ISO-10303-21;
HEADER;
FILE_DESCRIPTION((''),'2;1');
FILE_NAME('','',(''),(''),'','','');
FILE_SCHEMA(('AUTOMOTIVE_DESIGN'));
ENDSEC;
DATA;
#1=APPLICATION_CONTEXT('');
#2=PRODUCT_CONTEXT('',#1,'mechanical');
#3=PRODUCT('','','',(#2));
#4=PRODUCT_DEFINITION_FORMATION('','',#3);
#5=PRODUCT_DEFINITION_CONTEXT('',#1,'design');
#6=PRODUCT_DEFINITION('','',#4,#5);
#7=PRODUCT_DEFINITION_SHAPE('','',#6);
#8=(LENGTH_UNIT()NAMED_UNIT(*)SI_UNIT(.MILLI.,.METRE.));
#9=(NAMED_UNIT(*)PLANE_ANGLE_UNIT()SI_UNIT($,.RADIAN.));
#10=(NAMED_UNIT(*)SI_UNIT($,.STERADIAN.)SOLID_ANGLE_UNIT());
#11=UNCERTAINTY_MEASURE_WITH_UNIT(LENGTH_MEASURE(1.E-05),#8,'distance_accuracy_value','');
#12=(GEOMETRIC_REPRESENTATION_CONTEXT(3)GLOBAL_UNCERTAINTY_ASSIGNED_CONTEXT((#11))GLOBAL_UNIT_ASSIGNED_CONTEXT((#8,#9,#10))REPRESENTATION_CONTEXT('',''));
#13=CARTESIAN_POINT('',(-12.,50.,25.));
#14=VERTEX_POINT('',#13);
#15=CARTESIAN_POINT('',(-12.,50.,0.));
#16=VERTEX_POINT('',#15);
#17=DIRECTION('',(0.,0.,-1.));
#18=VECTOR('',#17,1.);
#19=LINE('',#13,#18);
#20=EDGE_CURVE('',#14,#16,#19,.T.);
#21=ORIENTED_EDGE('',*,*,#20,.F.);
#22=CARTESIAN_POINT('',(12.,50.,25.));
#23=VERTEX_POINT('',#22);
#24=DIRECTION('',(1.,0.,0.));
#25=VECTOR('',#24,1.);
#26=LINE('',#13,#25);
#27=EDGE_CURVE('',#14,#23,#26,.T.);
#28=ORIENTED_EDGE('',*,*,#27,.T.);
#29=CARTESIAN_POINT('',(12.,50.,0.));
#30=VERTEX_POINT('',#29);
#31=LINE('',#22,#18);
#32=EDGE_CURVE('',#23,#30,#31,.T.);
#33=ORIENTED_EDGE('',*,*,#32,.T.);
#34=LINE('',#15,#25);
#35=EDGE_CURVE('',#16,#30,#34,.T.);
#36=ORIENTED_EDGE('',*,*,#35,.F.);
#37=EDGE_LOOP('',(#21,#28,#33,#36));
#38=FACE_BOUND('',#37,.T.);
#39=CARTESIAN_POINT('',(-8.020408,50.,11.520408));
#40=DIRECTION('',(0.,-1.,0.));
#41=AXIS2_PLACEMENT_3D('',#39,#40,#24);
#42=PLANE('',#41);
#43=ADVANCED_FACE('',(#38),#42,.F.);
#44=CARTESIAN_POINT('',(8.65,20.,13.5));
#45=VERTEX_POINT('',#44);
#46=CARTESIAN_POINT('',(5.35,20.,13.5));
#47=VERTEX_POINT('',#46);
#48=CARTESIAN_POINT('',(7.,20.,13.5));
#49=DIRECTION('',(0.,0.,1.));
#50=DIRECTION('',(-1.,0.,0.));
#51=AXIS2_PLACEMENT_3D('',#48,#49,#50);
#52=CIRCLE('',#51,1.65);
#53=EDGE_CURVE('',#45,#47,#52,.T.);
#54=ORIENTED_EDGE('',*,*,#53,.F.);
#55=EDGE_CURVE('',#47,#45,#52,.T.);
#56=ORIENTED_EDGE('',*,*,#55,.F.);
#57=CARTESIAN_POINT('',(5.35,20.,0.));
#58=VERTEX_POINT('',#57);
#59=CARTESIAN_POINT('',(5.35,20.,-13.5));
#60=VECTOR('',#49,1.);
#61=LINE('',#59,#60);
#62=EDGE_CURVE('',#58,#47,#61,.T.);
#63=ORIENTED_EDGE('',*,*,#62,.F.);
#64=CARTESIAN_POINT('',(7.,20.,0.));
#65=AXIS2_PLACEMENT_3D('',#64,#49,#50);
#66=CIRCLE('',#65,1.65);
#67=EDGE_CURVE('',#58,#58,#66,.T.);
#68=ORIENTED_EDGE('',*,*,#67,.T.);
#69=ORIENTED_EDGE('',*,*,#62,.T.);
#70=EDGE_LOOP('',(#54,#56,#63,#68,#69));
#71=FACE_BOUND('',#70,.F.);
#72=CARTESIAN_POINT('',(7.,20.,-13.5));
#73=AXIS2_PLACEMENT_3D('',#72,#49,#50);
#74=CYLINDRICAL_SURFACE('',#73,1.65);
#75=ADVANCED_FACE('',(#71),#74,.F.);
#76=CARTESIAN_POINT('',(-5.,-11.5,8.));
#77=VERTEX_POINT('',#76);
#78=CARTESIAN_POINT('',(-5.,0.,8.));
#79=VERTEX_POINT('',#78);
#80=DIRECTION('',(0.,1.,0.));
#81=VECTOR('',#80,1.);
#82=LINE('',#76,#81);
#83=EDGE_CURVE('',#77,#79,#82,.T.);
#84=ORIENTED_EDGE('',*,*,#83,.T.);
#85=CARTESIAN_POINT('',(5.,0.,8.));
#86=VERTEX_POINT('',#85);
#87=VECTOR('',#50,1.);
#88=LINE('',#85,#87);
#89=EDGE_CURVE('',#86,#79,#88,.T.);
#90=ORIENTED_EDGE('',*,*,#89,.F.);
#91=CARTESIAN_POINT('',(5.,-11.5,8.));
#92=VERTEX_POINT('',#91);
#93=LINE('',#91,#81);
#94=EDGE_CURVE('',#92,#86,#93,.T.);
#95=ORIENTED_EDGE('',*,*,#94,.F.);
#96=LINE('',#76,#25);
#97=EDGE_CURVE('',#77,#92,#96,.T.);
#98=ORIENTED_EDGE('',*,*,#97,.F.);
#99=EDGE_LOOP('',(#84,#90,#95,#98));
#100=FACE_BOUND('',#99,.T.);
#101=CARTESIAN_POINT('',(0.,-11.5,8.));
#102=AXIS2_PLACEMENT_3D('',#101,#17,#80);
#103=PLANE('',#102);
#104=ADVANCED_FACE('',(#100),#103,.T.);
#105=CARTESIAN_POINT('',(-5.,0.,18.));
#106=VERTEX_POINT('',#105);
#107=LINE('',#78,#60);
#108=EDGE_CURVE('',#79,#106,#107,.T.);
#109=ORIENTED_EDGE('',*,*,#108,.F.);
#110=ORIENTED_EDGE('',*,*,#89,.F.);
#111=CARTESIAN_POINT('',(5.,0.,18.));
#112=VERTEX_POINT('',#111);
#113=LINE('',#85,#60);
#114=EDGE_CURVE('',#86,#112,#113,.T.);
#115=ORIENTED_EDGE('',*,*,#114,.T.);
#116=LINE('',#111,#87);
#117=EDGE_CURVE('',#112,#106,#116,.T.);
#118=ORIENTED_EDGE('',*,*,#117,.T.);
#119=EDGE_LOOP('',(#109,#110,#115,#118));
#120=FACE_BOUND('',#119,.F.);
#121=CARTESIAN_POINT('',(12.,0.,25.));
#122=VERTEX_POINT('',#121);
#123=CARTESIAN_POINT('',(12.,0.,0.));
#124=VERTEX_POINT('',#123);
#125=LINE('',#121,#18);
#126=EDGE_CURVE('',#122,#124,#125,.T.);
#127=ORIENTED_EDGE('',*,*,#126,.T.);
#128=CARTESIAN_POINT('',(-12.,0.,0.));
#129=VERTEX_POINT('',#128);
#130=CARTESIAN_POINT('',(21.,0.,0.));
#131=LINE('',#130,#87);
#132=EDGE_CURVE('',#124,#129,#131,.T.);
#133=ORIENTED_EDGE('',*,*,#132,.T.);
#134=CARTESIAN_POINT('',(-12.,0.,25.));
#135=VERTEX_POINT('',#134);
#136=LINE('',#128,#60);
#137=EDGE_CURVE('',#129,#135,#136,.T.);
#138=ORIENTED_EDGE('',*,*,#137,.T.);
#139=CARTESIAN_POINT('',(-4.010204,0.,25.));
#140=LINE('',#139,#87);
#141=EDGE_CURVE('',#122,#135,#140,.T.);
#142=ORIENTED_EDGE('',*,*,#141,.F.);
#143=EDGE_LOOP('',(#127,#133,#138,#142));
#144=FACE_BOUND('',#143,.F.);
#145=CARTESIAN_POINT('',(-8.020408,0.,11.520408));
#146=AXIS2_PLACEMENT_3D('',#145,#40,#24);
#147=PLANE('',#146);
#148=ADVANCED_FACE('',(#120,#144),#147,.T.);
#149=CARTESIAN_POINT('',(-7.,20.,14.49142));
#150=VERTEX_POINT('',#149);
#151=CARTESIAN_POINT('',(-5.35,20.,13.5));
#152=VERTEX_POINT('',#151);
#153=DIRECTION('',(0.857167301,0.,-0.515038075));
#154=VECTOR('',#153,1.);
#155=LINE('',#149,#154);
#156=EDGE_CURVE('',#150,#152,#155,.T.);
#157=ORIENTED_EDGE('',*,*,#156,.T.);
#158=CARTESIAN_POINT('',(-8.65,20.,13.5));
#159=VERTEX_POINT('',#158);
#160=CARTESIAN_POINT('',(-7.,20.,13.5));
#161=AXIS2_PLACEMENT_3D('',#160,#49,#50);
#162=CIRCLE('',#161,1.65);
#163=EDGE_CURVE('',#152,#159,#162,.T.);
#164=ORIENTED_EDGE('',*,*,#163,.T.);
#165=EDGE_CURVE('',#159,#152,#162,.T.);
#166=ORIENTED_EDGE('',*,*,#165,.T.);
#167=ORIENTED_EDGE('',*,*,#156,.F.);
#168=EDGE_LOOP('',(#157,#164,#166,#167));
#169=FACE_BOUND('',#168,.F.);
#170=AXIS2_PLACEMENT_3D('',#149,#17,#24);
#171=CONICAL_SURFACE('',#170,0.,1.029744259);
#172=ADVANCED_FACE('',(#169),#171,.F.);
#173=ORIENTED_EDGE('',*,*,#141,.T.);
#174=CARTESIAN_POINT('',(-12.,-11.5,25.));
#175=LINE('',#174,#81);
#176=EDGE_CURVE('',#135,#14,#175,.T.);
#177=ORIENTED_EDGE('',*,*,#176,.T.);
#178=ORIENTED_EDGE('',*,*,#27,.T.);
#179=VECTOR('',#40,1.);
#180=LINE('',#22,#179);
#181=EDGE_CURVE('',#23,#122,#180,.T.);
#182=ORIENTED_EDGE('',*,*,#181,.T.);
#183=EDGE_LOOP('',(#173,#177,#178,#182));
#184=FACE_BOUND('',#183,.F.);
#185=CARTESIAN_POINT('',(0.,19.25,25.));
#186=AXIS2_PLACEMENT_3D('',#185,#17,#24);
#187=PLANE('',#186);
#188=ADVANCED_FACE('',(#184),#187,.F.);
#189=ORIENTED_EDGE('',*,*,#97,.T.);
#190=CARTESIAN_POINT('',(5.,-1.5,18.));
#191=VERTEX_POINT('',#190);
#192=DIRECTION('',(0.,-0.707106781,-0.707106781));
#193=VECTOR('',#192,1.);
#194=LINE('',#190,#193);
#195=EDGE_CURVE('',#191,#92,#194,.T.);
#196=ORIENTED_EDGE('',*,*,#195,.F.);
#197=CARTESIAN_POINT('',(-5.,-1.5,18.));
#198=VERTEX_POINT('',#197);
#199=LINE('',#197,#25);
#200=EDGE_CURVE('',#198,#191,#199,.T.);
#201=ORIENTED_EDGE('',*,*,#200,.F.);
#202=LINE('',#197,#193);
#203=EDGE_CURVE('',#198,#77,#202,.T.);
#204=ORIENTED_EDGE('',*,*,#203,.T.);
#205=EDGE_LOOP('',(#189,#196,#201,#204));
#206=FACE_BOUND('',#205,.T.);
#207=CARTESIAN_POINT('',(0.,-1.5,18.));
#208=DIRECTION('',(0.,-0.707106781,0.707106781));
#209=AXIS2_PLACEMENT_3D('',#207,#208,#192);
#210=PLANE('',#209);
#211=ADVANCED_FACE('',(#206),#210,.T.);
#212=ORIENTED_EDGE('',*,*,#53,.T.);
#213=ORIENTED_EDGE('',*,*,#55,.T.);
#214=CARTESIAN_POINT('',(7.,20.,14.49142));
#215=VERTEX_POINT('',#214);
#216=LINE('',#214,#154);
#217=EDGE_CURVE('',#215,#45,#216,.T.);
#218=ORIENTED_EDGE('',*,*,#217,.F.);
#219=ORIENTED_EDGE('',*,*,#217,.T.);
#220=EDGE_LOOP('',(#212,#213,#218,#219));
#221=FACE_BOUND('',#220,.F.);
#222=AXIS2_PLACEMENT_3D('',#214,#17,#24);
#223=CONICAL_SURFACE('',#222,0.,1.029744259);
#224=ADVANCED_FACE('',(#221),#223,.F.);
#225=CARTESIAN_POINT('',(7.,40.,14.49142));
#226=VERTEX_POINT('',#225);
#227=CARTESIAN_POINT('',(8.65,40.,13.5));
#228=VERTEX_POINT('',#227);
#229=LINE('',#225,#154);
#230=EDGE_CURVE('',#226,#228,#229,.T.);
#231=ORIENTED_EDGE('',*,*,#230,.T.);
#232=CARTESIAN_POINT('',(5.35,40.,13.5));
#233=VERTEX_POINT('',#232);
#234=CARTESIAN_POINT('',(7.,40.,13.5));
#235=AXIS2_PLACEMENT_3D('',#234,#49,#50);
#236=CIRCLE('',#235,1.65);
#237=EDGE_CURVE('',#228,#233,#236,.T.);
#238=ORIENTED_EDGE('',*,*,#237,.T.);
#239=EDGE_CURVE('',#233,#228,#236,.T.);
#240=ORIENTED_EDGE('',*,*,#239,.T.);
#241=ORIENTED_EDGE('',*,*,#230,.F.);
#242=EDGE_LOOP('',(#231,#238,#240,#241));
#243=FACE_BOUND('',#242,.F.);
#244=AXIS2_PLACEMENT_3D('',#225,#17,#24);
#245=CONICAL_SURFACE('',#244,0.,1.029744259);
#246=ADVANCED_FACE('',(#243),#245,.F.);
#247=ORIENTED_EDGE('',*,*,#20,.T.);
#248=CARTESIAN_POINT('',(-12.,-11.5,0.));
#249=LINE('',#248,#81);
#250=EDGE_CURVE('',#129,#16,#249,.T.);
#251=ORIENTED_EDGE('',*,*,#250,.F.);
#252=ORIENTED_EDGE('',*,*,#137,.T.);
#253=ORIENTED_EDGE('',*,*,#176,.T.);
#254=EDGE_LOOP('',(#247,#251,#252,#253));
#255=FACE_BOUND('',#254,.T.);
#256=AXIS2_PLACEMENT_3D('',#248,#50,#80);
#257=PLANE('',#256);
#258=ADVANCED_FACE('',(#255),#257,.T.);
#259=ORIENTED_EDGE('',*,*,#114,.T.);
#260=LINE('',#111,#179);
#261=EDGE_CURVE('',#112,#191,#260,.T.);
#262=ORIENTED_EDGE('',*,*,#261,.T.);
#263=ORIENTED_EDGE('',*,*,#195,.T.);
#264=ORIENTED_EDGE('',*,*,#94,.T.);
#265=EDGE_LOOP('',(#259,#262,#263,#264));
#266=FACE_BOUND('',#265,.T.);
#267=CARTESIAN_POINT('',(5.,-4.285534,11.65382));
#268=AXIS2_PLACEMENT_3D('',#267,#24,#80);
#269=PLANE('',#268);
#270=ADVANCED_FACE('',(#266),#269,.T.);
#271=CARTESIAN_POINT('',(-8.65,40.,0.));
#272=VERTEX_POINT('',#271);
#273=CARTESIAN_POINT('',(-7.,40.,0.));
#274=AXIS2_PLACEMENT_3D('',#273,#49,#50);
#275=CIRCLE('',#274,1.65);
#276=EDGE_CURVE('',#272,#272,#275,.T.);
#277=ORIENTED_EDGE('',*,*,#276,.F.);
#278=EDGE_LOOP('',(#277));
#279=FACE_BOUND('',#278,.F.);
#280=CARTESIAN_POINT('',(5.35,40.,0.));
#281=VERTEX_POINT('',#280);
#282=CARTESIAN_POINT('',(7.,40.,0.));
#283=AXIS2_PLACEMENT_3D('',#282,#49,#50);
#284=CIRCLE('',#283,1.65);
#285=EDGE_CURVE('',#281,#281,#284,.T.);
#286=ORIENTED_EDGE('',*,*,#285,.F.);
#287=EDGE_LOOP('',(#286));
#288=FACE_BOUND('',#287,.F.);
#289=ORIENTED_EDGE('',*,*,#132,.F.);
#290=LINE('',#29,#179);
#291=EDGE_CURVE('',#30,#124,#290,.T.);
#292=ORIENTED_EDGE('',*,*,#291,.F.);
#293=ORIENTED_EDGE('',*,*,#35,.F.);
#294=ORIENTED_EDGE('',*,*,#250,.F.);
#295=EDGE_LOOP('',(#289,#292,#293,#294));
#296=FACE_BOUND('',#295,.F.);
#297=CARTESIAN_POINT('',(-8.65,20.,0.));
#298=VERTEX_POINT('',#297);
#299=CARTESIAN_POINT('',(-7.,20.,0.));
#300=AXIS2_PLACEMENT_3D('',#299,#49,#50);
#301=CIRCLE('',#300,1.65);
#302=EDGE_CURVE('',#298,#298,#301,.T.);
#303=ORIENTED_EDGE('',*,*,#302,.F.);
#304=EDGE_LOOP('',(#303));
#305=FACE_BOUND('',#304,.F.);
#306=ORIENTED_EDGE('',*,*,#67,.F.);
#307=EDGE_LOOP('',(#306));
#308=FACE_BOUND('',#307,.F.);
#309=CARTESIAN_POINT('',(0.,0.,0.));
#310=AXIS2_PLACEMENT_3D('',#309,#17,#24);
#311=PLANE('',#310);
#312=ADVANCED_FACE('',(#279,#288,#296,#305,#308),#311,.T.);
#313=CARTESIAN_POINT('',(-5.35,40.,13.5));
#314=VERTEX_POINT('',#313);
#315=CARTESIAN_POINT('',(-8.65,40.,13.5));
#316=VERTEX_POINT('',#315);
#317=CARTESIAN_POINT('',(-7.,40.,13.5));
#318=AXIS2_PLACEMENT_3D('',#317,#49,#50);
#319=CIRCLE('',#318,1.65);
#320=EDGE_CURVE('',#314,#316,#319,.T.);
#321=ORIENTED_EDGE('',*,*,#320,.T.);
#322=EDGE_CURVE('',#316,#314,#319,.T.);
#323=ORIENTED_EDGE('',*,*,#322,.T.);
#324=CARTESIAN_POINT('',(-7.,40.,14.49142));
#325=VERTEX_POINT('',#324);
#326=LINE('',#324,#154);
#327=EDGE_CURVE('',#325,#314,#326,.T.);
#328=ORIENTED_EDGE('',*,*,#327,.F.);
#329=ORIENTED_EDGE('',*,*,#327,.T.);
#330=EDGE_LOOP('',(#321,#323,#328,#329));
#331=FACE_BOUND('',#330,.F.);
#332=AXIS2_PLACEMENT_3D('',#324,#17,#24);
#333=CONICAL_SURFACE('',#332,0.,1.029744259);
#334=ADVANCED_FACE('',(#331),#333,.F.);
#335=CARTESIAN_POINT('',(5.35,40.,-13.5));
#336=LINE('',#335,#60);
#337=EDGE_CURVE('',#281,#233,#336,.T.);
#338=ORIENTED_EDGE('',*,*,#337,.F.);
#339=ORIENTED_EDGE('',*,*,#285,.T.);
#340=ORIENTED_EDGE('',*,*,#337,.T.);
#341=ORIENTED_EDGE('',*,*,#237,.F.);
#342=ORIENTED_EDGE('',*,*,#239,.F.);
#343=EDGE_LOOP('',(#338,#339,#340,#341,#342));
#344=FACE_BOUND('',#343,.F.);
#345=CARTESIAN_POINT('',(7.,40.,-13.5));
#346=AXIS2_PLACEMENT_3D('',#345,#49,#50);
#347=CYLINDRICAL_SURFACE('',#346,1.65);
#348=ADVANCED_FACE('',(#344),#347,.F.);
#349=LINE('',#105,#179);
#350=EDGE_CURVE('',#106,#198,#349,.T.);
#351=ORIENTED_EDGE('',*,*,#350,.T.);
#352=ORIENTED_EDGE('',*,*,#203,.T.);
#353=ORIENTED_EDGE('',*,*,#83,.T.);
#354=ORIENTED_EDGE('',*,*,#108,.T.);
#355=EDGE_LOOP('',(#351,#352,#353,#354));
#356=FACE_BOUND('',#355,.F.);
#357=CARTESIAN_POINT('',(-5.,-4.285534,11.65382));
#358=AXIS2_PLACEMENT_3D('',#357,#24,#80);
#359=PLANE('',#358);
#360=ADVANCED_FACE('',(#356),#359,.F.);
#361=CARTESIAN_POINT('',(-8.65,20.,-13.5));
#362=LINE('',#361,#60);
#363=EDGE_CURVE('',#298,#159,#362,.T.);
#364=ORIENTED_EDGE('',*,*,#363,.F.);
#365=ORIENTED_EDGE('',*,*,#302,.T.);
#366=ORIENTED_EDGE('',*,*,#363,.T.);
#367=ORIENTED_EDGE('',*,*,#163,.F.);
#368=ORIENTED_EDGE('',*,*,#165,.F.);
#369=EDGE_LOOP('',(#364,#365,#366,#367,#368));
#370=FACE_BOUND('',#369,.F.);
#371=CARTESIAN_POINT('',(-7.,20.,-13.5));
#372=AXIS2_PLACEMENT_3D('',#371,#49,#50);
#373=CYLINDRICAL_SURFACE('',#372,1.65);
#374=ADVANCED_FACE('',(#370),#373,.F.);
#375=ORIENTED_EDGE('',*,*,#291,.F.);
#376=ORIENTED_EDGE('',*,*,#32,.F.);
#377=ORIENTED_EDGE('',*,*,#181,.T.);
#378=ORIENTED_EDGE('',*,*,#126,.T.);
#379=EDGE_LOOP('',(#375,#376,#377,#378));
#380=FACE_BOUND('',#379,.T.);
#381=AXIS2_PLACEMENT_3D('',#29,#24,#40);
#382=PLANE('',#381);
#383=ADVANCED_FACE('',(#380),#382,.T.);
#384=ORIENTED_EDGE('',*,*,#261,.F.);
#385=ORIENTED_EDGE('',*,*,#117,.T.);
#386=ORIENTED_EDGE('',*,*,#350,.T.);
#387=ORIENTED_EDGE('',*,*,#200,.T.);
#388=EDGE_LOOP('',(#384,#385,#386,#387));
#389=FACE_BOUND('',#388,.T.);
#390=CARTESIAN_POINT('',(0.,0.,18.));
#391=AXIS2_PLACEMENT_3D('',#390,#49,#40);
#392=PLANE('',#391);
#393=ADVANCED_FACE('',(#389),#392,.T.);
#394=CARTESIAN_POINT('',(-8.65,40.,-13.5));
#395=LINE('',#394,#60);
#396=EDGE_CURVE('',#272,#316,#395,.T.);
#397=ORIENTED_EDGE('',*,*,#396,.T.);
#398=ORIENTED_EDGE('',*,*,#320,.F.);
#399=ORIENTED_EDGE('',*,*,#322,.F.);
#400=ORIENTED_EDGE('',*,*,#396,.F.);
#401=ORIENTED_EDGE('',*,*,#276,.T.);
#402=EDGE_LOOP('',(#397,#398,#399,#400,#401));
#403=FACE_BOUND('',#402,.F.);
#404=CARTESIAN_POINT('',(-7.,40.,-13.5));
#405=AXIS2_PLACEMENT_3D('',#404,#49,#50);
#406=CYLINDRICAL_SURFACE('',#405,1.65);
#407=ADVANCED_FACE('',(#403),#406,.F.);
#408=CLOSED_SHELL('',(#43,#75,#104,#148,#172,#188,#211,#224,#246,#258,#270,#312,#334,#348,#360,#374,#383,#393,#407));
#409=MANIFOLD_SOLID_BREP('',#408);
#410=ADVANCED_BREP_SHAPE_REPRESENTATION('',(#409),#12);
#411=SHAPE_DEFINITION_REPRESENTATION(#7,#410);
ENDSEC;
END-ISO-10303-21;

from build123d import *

# Parameters (mm, degrees)
F1_DEPTH = 50
F4_DEPTH = 5
F6_DEPTH = 25
F8_D     = 3.3
F8_DEPTH = 13.5
F8_TIP   = 0.9914200214


with BuildPart() as f1:
    # F0 (on Front) → F1 (new body)
    with BuildSketch(Plane.XZ):
        Polygon((0, 0), (21, 0), (21, 1), (12, 1), (12, 28), (0, 28), align=None)
    extrude(amount=-F1_DEPTH)

    # F2: F1 across plane


with BuildPart() as f1_1:
    add(f1.part)
    add(f1.part.mirror(Plane.YZ))

    # F3 (on Right) → F4 (join, symmetric)
    with BuildSketch(Plane.YZ):
        Polygon((0, 18), (-1.5, 18), (-11.5, 8), (0, 8), align=None)
    extrude(amount=F4_DEPTH, both=True)

    # F5 (on face) → F6 (intersect)
    with BuildSketch(Plane(origin=(0, 0, 0), x_dir=(1, 0, 0), z_dir=(0, 0, -1))):
        Polygon((-12, 0), (-12, -50), (12, -50), (12, 0), (12, 11.5), (-12, 11.5), align=None)
    extrude(amount=-F6_DEPTH, mode=Mode.INTERSECT)

    # F8
    with Locations(Plane(origin=(0, 0, 0), x_dir=(1, 0, 0), z_dir=(0, 0, -1))):
        with Locations((7, -20), (7, -40), (-7, -40), (-7, -20)):
            Hole(F8_D / 2, depth=F8_DEPTH)
            with Locations((0, 0, -(F8_DEPTH + F8_TIP / 2))):  # 118° drill point
                Cone(0, F8_D / 2, F8_TIP, mode=Mode.SUBTRACT)


solid = f1_1.part
